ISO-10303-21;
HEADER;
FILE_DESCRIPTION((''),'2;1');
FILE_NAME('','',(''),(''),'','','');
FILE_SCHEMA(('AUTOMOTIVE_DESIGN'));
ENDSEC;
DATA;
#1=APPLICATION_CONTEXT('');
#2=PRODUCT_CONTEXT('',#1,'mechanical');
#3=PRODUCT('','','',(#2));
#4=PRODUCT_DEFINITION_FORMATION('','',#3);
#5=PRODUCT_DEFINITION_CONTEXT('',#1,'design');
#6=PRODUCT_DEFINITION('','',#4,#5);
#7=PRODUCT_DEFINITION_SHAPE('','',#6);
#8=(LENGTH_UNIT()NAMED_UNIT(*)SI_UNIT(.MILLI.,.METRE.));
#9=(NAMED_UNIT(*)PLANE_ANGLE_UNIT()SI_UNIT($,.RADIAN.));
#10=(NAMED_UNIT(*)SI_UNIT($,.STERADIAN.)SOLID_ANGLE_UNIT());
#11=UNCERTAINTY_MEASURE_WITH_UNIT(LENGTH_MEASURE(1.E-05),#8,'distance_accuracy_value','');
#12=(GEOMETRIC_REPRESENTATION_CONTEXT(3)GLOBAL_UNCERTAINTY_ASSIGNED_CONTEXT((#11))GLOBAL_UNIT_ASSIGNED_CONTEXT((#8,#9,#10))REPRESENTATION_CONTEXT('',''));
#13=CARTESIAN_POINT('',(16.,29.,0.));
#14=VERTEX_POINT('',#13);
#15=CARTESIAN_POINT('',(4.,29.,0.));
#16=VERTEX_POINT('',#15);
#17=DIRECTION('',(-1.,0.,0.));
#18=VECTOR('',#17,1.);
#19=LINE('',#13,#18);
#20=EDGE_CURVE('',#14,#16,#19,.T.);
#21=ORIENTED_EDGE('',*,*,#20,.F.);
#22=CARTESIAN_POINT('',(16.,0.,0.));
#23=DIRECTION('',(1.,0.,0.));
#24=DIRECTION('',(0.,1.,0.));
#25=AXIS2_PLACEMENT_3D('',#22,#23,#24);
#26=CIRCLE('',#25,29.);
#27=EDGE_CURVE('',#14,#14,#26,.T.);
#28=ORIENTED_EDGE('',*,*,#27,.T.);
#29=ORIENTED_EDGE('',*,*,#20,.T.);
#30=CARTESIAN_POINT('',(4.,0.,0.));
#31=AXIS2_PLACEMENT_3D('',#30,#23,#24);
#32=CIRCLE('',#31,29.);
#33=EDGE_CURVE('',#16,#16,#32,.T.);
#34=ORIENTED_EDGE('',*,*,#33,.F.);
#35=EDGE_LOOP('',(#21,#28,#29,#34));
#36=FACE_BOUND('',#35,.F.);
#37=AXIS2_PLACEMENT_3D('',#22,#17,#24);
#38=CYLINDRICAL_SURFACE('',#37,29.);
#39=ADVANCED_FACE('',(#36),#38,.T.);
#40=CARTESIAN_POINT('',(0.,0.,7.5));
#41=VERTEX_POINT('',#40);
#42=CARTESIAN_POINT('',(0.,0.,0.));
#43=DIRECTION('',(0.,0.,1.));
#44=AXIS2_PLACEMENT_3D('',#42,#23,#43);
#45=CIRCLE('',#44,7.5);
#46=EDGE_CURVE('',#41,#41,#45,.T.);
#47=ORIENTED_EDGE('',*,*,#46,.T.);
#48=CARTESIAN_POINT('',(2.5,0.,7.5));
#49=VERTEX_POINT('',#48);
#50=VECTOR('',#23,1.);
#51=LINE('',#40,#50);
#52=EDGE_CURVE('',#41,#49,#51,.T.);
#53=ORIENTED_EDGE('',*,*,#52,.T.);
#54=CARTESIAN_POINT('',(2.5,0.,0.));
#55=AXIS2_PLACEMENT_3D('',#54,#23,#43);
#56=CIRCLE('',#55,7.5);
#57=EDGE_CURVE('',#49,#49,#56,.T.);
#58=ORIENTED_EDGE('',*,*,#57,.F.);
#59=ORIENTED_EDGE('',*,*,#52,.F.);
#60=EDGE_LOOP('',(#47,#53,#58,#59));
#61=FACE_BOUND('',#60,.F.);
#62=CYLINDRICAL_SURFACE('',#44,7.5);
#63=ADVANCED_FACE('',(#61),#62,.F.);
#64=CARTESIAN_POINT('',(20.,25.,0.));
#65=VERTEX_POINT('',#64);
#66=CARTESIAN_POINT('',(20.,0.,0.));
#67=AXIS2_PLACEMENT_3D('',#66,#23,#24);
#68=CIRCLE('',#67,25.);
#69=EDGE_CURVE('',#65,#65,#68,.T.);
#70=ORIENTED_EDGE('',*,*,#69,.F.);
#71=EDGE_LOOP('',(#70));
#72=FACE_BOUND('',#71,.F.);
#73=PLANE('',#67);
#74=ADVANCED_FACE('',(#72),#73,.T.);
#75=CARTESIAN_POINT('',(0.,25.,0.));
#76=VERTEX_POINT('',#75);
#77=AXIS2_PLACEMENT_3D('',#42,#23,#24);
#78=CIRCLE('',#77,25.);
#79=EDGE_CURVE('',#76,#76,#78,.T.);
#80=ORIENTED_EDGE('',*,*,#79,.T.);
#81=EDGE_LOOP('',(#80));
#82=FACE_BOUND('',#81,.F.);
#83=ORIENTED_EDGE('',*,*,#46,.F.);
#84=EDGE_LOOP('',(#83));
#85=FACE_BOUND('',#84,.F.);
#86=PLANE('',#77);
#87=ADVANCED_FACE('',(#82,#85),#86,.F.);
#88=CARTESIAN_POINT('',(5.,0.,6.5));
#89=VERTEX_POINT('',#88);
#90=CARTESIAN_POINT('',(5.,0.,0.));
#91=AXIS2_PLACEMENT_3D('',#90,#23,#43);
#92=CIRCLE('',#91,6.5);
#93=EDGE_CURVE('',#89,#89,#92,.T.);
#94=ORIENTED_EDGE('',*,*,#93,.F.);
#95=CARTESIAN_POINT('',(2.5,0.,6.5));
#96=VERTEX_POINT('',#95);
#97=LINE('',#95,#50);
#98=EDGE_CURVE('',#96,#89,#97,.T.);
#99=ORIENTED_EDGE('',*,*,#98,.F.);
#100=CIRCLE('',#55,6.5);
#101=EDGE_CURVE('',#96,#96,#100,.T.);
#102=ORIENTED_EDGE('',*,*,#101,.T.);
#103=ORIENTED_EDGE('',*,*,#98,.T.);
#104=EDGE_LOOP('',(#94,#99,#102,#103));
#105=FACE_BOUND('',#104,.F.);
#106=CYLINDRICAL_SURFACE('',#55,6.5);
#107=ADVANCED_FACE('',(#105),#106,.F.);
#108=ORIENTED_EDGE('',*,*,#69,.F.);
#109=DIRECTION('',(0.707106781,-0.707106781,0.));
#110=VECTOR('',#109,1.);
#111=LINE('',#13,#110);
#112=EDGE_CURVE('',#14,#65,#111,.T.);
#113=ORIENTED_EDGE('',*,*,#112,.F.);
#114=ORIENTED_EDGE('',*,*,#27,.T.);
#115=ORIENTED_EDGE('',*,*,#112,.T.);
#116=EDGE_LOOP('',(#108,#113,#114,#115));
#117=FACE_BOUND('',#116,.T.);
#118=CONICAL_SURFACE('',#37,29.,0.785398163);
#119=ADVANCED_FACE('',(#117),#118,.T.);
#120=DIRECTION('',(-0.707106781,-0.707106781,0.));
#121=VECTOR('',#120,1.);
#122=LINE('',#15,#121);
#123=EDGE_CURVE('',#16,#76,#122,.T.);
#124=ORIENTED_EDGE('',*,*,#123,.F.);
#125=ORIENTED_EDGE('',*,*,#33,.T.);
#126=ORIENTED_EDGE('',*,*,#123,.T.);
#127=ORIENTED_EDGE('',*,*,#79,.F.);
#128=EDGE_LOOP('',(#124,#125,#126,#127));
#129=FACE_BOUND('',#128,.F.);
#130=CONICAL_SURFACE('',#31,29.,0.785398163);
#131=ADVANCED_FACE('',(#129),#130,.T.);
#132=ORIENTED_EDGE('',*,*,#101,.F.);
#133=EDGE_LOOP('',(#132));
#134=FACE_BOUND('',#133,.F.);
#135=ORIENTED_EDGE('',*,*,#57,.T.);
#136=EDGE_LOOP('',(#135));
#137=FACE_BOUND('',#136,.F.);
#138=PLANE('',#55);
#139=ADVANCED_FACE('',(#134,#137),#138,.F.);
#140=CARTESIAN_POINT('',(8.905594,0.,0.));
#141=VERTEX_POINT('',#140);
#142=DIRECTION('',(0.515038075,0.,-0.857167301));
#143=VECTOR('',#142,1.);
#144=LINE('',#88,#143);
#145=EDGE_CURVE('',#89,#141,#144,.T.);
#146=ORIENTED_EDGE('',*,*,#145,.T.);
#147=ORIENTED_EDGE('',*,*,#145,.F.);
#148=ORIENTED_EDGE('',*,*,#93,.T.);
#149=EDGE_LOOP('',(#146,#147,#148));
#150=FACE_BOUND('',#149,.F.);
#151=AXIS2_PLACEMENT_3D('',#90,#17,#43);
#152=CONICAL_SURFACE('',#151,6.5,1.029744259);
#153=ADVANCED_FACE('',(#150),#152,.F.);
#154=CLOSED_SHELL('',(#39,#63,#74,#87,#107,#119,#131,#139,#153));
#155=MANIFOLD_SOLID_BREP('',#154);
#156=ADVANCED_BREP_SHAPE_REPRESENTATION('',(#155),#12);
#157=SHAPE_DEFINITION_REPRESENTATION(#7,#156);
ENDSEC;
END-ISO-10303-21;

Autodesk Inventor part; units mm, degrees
ref_plane "YZ Plane" through (0, 0, 0) normal (1, 0, 0) x (0, 1, 0)
ref_plane "XZ Plane" through (0, 0, 0) normal (0, 1, 0) x (-1, 0, 0)
ref_plane "XY Plane" through (0, 0, 0) normal (0, 0, 1) x (1, 0, 0)
sketch "Эскиз1" plane through (0, 0, 0) normal (0, 0, 1) x (1, 0, 0)
  line L0 (0, 0) -> (20, 0)
  line L1 (20, 0) -> (20, 25)
  line L2 (16, 29) -> (4, 29)
  line L3 (0, 25) -> (0, 0)
  line L4 (4, 29) -> (0, 25)
  line L5 (16, 29) -> (20, 25)
  point P0 (20, 29)
  point P1 (0, 29)
  dimension "d14" = 20
  dimension "d15" = 29
  dimension "d16" = 4
  dimension "d17" = 4
  dimension "d18" = 4
  dimension "d19" = 4
revolve "Вращение2" add sketch "Эскиз1" angle 360 about axis through (0, 0, 0) along (1, 0, 0)
sketch "Эскиз3" plane through (0, 0, 0) normal (-1, 0, 0) x (0, 0, 1)
  point P0 (0, 0)
  point P1 (0, 0)
hole "Отверстие2" at (0, 0, 0) direction (1, 0, 0) diameter 13 depth 5 tip angle 118 counterbore diameter 15 counterbore depth 2.5
equation "\"d17\" = d16"
equation "\"d18\" = d16"
equation "\"d19\" = d18"
properties part number "711121"
